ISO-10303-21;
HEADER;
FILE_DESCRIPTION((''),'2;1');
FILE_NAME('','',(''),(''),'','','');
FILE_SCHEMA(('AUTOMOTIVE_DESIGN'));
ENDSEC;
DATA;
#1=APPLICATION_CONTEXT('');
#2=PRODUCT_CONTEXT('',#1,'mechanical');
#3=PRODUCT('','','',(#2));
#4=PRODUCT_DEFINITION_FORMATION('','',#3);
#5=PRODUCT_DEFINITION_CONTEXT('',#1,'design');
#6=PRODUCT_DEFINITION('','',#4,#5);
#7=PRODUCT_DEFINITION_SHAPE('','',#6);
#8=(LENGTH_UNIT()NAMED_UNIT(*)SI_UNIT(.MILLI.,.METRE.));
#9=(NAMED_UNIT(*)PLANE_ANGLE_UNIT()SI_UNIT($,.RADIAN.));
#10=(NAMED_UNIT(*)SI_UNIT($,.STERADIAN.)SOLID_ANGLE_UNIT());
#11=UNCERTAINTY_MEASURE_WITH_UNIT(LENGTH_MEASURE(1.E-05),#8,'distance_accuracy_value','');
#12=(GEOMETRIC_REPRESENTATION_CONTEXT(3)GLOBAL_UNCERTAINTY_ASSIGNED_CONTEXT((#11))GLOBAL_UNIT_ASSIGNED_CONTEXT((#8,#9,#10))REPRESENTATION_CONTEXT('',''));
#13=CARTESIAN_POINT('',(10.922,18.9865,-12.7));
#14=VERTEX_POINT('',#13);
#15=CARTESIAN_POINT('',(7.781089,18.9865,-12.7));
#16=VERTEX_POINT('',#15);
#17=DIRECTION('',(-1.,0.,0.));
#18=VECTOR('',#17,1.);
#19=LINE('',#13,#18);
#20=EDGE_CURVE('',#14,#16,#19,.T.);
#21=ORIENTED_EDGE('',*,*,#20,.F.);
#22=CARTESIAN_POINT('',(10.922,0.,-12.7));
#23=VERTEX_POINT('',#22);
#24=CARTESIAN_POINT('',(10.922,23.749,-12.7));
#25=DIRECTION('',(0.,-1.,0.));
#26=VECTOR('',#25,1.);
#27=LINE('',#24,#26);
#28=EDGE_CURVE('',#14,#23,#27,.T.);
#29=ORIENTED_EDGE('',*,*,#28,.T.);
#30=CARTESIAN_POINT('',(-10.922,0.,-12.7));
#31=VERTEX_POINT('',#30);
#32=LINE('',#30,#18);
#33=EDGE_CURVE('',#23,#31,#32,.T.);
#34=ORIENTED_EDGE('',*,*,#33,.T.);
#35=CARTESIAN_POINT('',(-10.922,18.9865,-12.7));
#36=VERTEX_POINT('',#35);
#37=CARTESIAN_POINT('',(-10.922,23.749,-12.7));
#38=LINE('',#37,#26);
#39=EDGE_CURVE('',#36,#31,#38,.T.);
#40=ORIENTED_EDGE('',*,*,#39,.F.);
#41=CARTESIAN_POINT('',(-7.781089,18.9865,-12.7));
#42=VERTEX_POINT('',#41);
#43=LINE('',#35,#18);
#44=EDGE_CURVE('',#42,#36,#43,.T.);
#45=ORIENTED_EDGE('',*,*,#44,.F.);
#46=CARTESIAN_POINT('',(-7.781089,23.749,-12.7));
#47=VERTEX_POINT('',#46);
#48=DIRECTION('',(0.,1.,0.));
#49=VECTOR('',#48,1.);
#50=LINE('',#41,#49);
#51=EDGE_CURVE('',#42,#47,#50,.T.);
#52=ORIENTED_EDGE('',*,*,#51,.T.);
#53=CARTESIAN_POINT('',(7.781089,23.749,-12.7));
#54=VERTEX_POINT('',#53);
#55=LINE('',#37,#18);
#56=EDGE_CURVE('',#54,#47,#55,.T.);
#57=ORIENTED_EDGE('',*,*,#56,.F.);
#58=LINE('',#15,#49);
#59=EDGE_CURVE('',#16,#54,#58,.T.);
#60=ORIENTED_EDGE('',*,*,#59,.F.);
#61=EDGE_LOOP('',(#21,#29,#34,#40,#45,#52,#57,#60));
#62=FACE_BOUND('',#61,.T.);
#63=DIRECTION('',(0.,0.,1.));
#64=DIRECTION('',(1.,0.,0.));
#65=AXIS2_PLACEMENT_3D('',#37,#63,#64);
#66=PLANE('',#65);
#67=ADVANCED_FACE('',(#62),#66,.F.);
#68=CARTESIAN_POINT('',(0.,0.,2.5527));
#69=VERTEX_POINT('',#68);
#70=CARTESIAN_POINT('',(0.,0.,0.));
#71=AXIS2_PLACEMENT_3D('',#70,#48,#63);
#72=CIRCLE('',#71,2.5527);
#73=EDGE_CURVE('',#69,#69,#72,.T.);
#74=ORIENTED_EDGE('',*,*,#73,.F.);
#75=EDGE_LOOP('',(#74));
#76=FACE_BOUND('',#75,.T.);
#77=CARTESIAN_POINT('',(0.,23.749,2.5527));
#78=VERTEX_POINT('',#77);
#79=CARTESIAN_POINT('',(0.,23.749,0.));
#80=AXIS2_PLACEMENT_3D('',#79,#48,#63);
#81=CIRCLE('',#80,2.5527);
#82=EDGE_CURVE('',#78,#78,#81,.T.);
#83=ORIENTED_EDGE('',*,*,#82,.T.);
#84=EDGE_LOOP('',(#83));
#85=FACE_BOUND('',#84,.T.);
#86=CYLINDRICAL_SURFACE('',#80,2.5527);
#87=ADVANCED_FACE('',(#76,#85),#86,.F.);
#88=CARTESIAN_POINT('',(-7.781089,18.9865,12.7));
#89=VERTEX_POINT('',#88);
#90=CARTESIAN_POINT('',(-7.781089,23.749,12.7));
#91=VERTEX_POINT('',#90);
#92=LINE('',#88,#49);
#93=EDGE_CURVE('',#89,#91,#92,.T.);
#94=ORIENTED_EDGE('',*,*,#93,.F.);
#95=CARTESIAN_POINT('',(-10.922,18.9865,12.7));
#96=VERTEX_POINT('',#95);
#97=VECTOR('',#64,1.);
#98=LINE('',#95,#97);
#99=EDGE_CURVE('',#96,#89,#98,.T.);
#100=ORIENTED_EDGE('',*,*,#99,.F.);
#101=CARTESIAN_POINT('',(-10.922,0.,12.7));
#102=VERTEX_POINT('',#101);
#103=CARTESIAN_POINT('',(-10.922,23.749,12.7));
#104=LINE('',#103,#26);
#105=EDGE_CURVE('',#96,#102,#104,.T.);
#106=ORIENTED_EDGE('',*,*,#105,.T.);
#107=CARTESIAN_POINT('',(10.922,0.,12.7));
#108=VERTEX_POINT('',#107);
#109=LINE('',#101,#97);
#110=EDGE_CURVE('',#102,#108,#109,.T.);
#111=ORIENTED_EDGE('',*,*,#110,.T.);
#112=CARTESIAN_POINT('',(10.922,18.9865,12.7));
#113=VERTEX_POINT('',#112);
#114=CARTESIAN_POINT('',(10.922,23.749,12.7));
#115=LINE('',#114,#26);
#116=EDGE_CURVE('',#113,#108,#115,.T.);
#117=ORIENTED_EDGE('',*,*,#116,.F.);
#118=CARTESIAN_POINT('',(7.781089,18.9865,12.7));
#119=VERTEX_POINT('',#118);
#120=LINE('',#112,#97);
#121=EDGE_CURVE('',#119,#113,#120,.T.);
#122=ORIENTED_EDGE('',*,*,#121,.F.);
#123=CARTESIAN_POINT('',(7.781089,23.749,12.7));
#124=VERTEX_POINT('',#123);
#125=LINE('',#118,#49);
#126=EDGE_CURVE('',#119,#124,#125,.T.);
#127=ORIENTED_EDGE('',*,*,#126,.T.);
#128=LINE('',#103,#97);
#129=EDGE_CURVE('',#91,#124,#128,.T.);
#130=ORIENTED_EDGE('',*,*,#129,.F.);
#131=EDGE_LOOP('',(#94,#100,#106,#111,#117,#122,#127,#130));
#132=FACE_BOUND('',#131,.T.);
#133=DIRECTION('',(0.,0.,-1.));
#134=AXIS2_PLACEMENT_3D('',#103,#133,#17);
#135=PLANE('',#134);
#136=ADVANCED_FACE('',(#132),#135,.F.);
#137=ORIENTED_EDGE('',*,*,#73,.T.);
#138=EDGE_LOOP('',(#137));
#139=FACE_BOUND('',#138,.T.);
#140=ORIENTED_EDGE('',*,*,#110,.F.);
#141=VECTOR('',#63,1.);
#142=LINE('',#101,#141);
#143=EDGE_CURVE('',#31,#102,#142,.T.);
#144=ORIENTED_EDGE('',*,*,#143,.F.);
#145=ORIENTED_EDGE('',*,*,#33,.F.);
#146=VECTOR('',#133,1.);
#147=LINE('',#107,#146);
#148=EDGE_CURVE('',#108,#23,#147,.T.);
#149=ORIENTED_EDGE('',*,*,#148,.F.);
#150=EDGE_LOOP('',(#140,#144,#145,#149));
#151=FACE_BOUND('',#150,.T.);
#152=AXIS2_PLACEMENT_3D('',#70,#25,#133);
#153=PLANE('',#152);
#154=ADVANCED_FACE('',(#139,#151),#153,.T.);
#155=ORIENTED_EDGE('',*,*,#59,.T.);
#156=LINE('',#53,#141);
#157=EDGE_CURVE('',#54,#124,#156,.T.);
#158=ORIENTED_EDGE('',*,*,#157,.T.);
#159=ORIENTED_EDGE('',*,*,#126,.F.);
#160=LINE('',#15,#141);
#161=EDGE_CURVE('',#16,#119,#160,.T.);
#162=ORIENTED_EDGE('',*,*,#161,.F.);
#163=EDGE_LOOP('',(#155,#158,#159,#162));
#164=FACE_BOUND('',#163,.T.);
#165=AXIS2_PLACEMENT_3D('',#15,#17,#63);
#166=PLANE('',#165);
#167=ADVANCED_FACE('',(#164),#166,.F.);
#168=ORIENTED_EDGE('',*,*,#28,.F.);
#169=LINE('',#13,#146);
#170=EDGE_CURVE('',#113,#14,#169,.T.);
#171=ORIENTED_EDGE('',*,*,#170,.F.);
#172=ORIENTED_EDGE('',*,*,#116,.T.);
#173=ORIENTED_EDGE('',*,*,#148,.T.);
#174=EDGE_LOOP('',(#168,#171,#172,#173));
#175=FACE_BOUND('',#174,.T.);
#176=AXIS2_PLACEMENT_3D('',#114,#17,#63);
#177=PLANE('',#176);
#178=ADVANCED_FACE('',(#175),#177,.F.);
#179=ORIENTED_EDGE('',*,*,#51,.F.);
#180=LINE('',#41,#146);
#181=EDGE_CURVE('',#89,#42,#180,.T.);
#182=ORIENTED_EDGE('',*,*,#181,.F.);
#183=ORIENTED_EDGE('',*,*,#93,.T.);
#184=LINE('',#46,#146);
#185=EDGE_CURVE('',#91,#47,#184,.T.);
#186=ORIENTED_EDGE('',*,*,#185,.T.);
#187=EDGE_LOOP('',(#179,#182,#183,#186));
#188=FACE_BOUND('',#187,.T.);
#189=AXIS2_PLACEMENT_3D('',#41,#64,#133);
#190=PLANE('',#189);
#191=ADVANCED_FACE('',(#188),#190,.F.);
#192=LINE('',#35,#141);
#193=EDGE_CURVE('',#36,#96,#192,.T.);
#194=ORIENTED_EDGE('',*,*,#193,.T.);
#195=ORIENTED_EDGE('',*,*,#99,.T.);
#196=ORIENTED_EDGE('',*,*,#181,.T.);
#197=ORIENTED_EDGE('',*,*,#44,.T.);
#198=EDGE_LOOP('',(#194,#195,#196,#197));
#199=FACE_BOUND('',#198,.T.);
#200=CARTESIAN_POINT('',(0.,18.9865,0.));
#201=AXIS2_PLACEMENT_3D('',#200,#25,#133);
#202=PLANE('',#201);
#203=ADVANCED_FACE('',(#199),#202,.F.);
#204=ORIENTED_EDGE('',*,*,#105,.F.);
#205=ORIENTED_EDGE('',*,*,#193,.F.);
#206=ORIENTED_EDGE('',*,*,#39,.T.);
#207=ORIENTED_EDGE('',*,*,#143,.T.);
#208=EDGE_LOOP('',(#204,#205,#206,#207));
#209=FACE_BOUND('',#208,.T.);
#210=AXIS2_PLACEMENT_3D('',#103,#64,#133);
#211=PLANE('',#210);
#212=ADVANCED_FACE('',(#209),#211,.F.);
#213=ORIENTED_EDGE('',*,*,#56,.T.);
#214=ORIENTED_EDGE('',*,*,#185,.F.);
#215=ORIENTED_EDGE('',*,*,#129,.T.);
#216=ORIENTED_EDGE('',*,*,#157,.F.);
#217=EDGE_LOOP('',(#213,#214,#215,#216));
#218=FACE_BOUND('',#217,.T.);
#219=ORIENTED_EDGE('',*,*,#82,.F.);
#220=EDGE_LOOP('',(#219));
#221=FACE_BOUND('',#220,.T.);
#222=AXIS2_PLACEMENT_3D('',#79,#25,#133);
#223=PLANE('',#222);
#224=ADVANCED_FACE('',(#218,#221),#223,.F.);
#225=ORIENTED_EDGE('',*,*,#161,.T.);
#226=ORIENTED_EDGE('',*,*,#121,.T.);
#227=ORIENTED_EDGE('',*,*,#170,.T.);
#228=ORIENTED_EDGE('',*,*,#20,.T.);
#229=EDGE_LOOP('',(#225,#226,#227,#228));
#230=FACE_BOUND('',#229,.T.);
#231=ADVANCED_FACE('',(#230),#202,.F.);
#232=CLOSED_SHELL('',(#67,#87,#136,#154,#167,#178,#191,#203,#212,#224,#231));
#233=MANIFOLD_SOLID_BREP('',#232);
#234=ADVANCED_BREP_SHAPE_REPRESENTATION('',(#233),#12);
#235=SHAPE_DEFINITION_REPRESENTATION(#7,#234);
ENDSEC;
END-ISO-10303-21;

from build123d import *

# Parameters (mm, degrees)
SKETCH1_W                          = 21.844
SKETCH1_H                          = 25.4
BOSS_EXTRUDE1_DEPTH                = 23.749
CLEARANCE_HOLE_FOR_ALIGNMENT_PIN_D = 5.1054
SKETCH6_W                          = 3.140911286
SKETCH6_H                          = 25.4
CLEARANCE_RABBIT_DEPTH             = 4.7625


with BuildPart() as part:
    # Sketch1 → Boss-Extrude1 (new body)
    with BuildSketch(Plane(origin=(0, 0, 0), x_dir=(1, 0, 0), z_dir=(0, 1, 0))):
        Rectangle(SKETCH1_W, SKETCH1_H)
    extrude(amount=BOSS_EXTRUDE1_DEPTH)

    # Clearance Hole for Alignment Pin (through all)
    with Locations(Plane(origin=(0, 23.749, 0), x_dir=(1, 0, 0), z_dir=(0, 1, 0))):
        with Locations((0, 0)):
            Hole(CLEARANCE_HOLE_FOR_ALIGNMENT_PIN_D / 2)

    # Sketch6 → Clearance Rabbit (cut)
    with BuildSketch(Plane(origin=(0, 23.749, 0), x_dir=(1, 0, 0), z_dir=(0, 1, 0))):
        with Locations((9.351544357, 0)):
            Rectangle(SKETCH6_W, SKETCH6_H)
        with Locations((-9.351544357, 0)):
            Rectangle(SKETCH6_W, SKETCH6_H)
    extrude(amount=-CLEARANCE_RABBIT_DEPTH, mode=Mode.SUBTRACT)


solid = part.part
